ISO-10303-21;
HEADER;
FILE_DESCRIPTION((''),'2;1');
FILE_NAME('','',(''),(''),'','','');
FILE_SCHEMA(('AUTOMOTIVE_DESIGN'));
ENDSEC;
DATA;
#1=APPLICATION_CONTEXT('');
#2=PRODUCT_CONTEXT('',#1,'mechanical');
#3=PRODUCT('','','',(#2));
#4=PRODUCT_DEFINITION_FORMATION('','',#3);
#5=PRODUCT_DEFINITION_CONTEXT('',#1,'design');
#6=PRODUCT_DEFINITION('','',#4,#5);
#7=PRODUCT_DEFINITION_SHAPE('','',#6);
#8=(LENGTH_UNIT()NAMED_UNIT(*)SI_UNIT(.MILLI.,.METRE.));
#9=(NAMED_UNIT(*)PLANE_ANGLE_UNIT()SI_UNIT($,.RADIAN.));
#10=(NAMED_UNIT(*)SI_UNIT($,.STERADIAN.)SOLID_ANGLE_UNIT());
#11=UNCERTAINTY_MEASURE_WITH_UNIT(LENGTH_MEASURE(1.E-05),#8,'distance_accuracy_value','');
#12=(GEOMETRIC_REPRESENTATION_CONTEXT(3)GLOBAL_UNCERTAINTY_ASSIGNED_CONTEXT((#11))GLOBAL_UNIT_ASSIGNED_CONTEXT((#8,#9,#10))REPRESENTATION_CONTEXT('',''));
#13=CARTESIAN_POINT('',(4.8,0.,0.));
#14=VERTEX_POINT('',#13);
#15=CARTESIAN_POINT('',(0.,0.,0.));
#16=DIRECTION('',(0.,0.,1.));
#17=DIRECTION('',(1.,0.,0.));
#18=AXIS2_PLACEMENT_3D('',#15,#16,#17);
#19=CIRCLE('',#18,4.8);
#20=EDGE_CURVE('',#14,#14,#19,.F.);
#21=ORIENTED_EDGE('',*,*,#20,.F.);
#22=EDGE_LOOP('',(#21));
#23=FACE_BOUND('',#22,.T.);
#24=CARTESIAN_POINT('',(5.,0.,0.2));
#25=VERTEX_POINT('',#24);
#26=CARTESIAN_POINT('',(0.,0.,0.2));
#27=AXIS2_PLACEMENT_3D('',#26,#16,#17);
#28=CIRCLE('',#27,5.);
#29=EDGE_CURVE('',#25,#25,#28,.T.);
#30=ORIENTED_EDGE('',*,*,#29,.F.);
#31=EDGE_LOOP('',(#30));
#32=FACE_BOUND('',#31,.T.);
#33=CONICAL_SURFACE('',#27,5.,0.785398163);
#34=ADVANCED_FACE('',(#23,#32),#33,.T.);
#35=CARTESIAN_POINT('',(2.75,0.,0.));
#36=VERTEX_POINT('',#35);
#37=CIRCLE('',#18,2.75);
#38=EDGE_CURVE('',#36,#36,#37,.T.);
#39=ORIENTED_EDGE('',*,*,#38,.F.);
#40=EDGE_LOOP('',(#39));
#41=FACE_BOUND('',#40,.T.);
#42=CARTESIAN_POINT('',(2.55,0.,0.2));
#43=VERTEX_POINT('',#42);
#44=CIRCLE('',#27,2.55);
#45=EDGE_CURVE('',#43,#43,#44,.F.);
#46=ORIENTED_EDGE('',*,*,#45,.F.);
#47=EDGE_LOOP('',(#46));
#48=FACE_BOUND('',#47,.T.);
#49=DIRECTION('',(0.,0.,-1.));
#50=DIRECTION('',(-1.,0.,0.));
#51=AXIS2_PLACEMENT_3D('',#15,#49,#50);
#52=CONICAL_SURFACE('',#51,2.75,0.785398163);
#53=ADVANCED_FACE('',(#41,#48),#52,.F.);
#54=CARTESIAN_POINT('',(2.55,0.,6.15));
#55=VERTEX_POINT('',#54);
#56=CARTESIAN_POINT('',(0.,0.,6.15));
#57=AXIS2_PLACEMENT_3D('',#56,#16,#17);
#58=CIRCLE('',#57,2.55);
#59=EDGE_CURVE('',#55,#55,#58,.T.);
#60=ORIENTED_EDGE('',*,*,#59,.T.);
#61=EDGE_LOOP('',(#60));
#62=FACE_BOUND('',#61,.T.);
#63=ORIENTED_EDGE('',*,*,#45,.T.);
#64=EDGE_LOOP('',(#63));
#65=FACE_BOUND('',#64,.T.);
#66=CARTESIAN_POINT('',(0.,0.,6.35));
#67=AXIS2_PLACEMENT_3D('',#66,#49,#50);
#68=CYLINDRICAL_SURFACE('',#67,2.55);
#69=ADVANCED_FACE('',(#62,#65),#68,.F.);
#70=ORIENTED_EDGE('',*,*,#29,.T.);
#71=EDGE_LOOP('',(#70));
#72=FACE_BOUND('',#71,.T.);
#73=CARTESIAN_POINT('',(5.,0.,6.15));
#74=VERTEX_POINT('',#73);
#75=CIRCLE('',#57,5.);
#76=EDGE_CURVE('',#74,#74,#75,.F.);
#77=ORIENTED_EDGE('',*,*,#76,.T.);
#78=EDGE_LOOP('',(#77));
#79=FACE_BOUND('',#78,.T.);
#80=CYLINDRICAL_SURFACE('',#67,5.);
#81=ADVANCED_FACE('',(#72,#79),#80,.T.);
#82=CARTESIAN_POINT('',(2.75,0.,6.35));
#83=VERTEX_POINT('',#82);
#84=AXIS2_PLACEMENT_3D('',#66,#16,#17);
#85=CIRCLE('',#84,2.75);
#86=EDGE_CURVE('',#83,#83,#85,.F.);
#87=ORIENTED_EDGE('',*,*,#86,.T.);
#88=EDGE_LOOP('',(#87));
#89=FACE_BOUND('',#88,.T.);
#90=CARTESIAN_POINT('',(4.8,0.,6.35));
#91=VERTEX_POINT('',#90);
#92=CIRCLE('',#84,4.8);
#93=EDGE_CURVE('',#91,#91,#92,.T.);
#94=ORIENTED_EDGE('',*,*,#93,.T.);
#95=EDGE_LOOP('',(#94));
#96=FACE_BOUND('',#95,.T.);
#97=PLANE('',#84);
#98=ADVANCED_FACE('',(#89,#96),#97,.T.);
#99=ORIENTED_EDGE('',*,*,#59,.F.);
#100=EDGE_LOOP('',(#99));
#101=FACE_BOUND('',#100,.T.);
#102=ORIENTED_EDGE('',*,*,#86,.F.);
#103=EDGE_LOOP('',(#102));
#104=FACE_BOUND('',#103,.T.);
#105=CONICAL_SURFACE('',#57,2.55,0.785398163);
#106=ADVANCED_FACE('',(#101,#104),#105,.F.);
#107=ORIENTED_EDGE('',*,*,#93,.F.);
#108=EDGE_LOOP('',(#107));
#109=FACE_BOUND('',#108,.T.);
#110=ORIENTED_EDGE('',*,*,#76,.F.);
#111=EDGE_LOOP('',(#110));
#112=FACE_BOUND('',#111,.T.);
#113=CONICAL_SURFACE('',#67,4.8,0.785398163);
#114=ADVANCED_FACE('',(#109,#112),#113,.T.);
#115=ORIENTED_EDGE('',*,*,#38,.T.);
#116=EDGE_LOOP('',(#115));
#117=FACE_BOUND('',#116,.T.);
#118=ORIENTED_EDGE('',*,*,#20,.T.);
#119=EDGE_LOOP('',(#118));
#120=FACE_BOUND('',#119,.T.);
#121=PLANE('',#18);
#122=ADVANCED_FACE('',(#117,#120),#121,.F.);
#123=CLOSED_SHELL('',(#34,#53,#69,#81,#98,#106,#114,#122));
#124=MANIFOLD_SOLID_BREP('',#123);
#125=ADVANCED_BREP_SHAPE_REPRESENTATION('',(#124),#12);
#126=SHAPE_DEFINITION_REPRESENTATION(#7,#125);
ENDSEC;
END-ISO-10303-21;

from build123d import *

# Parameters (mm, degrees)
SKETCH1_R           = 5
SKETCH1_R_2         = 2.55
BOSS_EXTRUDE1_DEPTH = 6.35
CHAMFER1_SIZE       = 0.2


with BuildPart() as part:
    # Sketch1 → Boss-Extrude1 (new body)
    with BuildSketch(Plane.XY):
        Circle(SKETCH1_R)
        Circle(SKETCH1_R_2, mode=Mode.SUBTRACT)
    extrude(amount=BOSS_EXTRUDE1_DEPTH)

    # Chamfer1
    chamfer1_edges = [part.edges().sort_by_distance(p)[0] for p in [
        (-5, 0, 0),
        (-5, 0, 6.35),
        (-2.55, 0, 0),
        (-2.55, 0, 6.35),
    ]]
    chamfer(chamfer1_edges, length=CHAMFER1_SIZE)


solid = part.part
